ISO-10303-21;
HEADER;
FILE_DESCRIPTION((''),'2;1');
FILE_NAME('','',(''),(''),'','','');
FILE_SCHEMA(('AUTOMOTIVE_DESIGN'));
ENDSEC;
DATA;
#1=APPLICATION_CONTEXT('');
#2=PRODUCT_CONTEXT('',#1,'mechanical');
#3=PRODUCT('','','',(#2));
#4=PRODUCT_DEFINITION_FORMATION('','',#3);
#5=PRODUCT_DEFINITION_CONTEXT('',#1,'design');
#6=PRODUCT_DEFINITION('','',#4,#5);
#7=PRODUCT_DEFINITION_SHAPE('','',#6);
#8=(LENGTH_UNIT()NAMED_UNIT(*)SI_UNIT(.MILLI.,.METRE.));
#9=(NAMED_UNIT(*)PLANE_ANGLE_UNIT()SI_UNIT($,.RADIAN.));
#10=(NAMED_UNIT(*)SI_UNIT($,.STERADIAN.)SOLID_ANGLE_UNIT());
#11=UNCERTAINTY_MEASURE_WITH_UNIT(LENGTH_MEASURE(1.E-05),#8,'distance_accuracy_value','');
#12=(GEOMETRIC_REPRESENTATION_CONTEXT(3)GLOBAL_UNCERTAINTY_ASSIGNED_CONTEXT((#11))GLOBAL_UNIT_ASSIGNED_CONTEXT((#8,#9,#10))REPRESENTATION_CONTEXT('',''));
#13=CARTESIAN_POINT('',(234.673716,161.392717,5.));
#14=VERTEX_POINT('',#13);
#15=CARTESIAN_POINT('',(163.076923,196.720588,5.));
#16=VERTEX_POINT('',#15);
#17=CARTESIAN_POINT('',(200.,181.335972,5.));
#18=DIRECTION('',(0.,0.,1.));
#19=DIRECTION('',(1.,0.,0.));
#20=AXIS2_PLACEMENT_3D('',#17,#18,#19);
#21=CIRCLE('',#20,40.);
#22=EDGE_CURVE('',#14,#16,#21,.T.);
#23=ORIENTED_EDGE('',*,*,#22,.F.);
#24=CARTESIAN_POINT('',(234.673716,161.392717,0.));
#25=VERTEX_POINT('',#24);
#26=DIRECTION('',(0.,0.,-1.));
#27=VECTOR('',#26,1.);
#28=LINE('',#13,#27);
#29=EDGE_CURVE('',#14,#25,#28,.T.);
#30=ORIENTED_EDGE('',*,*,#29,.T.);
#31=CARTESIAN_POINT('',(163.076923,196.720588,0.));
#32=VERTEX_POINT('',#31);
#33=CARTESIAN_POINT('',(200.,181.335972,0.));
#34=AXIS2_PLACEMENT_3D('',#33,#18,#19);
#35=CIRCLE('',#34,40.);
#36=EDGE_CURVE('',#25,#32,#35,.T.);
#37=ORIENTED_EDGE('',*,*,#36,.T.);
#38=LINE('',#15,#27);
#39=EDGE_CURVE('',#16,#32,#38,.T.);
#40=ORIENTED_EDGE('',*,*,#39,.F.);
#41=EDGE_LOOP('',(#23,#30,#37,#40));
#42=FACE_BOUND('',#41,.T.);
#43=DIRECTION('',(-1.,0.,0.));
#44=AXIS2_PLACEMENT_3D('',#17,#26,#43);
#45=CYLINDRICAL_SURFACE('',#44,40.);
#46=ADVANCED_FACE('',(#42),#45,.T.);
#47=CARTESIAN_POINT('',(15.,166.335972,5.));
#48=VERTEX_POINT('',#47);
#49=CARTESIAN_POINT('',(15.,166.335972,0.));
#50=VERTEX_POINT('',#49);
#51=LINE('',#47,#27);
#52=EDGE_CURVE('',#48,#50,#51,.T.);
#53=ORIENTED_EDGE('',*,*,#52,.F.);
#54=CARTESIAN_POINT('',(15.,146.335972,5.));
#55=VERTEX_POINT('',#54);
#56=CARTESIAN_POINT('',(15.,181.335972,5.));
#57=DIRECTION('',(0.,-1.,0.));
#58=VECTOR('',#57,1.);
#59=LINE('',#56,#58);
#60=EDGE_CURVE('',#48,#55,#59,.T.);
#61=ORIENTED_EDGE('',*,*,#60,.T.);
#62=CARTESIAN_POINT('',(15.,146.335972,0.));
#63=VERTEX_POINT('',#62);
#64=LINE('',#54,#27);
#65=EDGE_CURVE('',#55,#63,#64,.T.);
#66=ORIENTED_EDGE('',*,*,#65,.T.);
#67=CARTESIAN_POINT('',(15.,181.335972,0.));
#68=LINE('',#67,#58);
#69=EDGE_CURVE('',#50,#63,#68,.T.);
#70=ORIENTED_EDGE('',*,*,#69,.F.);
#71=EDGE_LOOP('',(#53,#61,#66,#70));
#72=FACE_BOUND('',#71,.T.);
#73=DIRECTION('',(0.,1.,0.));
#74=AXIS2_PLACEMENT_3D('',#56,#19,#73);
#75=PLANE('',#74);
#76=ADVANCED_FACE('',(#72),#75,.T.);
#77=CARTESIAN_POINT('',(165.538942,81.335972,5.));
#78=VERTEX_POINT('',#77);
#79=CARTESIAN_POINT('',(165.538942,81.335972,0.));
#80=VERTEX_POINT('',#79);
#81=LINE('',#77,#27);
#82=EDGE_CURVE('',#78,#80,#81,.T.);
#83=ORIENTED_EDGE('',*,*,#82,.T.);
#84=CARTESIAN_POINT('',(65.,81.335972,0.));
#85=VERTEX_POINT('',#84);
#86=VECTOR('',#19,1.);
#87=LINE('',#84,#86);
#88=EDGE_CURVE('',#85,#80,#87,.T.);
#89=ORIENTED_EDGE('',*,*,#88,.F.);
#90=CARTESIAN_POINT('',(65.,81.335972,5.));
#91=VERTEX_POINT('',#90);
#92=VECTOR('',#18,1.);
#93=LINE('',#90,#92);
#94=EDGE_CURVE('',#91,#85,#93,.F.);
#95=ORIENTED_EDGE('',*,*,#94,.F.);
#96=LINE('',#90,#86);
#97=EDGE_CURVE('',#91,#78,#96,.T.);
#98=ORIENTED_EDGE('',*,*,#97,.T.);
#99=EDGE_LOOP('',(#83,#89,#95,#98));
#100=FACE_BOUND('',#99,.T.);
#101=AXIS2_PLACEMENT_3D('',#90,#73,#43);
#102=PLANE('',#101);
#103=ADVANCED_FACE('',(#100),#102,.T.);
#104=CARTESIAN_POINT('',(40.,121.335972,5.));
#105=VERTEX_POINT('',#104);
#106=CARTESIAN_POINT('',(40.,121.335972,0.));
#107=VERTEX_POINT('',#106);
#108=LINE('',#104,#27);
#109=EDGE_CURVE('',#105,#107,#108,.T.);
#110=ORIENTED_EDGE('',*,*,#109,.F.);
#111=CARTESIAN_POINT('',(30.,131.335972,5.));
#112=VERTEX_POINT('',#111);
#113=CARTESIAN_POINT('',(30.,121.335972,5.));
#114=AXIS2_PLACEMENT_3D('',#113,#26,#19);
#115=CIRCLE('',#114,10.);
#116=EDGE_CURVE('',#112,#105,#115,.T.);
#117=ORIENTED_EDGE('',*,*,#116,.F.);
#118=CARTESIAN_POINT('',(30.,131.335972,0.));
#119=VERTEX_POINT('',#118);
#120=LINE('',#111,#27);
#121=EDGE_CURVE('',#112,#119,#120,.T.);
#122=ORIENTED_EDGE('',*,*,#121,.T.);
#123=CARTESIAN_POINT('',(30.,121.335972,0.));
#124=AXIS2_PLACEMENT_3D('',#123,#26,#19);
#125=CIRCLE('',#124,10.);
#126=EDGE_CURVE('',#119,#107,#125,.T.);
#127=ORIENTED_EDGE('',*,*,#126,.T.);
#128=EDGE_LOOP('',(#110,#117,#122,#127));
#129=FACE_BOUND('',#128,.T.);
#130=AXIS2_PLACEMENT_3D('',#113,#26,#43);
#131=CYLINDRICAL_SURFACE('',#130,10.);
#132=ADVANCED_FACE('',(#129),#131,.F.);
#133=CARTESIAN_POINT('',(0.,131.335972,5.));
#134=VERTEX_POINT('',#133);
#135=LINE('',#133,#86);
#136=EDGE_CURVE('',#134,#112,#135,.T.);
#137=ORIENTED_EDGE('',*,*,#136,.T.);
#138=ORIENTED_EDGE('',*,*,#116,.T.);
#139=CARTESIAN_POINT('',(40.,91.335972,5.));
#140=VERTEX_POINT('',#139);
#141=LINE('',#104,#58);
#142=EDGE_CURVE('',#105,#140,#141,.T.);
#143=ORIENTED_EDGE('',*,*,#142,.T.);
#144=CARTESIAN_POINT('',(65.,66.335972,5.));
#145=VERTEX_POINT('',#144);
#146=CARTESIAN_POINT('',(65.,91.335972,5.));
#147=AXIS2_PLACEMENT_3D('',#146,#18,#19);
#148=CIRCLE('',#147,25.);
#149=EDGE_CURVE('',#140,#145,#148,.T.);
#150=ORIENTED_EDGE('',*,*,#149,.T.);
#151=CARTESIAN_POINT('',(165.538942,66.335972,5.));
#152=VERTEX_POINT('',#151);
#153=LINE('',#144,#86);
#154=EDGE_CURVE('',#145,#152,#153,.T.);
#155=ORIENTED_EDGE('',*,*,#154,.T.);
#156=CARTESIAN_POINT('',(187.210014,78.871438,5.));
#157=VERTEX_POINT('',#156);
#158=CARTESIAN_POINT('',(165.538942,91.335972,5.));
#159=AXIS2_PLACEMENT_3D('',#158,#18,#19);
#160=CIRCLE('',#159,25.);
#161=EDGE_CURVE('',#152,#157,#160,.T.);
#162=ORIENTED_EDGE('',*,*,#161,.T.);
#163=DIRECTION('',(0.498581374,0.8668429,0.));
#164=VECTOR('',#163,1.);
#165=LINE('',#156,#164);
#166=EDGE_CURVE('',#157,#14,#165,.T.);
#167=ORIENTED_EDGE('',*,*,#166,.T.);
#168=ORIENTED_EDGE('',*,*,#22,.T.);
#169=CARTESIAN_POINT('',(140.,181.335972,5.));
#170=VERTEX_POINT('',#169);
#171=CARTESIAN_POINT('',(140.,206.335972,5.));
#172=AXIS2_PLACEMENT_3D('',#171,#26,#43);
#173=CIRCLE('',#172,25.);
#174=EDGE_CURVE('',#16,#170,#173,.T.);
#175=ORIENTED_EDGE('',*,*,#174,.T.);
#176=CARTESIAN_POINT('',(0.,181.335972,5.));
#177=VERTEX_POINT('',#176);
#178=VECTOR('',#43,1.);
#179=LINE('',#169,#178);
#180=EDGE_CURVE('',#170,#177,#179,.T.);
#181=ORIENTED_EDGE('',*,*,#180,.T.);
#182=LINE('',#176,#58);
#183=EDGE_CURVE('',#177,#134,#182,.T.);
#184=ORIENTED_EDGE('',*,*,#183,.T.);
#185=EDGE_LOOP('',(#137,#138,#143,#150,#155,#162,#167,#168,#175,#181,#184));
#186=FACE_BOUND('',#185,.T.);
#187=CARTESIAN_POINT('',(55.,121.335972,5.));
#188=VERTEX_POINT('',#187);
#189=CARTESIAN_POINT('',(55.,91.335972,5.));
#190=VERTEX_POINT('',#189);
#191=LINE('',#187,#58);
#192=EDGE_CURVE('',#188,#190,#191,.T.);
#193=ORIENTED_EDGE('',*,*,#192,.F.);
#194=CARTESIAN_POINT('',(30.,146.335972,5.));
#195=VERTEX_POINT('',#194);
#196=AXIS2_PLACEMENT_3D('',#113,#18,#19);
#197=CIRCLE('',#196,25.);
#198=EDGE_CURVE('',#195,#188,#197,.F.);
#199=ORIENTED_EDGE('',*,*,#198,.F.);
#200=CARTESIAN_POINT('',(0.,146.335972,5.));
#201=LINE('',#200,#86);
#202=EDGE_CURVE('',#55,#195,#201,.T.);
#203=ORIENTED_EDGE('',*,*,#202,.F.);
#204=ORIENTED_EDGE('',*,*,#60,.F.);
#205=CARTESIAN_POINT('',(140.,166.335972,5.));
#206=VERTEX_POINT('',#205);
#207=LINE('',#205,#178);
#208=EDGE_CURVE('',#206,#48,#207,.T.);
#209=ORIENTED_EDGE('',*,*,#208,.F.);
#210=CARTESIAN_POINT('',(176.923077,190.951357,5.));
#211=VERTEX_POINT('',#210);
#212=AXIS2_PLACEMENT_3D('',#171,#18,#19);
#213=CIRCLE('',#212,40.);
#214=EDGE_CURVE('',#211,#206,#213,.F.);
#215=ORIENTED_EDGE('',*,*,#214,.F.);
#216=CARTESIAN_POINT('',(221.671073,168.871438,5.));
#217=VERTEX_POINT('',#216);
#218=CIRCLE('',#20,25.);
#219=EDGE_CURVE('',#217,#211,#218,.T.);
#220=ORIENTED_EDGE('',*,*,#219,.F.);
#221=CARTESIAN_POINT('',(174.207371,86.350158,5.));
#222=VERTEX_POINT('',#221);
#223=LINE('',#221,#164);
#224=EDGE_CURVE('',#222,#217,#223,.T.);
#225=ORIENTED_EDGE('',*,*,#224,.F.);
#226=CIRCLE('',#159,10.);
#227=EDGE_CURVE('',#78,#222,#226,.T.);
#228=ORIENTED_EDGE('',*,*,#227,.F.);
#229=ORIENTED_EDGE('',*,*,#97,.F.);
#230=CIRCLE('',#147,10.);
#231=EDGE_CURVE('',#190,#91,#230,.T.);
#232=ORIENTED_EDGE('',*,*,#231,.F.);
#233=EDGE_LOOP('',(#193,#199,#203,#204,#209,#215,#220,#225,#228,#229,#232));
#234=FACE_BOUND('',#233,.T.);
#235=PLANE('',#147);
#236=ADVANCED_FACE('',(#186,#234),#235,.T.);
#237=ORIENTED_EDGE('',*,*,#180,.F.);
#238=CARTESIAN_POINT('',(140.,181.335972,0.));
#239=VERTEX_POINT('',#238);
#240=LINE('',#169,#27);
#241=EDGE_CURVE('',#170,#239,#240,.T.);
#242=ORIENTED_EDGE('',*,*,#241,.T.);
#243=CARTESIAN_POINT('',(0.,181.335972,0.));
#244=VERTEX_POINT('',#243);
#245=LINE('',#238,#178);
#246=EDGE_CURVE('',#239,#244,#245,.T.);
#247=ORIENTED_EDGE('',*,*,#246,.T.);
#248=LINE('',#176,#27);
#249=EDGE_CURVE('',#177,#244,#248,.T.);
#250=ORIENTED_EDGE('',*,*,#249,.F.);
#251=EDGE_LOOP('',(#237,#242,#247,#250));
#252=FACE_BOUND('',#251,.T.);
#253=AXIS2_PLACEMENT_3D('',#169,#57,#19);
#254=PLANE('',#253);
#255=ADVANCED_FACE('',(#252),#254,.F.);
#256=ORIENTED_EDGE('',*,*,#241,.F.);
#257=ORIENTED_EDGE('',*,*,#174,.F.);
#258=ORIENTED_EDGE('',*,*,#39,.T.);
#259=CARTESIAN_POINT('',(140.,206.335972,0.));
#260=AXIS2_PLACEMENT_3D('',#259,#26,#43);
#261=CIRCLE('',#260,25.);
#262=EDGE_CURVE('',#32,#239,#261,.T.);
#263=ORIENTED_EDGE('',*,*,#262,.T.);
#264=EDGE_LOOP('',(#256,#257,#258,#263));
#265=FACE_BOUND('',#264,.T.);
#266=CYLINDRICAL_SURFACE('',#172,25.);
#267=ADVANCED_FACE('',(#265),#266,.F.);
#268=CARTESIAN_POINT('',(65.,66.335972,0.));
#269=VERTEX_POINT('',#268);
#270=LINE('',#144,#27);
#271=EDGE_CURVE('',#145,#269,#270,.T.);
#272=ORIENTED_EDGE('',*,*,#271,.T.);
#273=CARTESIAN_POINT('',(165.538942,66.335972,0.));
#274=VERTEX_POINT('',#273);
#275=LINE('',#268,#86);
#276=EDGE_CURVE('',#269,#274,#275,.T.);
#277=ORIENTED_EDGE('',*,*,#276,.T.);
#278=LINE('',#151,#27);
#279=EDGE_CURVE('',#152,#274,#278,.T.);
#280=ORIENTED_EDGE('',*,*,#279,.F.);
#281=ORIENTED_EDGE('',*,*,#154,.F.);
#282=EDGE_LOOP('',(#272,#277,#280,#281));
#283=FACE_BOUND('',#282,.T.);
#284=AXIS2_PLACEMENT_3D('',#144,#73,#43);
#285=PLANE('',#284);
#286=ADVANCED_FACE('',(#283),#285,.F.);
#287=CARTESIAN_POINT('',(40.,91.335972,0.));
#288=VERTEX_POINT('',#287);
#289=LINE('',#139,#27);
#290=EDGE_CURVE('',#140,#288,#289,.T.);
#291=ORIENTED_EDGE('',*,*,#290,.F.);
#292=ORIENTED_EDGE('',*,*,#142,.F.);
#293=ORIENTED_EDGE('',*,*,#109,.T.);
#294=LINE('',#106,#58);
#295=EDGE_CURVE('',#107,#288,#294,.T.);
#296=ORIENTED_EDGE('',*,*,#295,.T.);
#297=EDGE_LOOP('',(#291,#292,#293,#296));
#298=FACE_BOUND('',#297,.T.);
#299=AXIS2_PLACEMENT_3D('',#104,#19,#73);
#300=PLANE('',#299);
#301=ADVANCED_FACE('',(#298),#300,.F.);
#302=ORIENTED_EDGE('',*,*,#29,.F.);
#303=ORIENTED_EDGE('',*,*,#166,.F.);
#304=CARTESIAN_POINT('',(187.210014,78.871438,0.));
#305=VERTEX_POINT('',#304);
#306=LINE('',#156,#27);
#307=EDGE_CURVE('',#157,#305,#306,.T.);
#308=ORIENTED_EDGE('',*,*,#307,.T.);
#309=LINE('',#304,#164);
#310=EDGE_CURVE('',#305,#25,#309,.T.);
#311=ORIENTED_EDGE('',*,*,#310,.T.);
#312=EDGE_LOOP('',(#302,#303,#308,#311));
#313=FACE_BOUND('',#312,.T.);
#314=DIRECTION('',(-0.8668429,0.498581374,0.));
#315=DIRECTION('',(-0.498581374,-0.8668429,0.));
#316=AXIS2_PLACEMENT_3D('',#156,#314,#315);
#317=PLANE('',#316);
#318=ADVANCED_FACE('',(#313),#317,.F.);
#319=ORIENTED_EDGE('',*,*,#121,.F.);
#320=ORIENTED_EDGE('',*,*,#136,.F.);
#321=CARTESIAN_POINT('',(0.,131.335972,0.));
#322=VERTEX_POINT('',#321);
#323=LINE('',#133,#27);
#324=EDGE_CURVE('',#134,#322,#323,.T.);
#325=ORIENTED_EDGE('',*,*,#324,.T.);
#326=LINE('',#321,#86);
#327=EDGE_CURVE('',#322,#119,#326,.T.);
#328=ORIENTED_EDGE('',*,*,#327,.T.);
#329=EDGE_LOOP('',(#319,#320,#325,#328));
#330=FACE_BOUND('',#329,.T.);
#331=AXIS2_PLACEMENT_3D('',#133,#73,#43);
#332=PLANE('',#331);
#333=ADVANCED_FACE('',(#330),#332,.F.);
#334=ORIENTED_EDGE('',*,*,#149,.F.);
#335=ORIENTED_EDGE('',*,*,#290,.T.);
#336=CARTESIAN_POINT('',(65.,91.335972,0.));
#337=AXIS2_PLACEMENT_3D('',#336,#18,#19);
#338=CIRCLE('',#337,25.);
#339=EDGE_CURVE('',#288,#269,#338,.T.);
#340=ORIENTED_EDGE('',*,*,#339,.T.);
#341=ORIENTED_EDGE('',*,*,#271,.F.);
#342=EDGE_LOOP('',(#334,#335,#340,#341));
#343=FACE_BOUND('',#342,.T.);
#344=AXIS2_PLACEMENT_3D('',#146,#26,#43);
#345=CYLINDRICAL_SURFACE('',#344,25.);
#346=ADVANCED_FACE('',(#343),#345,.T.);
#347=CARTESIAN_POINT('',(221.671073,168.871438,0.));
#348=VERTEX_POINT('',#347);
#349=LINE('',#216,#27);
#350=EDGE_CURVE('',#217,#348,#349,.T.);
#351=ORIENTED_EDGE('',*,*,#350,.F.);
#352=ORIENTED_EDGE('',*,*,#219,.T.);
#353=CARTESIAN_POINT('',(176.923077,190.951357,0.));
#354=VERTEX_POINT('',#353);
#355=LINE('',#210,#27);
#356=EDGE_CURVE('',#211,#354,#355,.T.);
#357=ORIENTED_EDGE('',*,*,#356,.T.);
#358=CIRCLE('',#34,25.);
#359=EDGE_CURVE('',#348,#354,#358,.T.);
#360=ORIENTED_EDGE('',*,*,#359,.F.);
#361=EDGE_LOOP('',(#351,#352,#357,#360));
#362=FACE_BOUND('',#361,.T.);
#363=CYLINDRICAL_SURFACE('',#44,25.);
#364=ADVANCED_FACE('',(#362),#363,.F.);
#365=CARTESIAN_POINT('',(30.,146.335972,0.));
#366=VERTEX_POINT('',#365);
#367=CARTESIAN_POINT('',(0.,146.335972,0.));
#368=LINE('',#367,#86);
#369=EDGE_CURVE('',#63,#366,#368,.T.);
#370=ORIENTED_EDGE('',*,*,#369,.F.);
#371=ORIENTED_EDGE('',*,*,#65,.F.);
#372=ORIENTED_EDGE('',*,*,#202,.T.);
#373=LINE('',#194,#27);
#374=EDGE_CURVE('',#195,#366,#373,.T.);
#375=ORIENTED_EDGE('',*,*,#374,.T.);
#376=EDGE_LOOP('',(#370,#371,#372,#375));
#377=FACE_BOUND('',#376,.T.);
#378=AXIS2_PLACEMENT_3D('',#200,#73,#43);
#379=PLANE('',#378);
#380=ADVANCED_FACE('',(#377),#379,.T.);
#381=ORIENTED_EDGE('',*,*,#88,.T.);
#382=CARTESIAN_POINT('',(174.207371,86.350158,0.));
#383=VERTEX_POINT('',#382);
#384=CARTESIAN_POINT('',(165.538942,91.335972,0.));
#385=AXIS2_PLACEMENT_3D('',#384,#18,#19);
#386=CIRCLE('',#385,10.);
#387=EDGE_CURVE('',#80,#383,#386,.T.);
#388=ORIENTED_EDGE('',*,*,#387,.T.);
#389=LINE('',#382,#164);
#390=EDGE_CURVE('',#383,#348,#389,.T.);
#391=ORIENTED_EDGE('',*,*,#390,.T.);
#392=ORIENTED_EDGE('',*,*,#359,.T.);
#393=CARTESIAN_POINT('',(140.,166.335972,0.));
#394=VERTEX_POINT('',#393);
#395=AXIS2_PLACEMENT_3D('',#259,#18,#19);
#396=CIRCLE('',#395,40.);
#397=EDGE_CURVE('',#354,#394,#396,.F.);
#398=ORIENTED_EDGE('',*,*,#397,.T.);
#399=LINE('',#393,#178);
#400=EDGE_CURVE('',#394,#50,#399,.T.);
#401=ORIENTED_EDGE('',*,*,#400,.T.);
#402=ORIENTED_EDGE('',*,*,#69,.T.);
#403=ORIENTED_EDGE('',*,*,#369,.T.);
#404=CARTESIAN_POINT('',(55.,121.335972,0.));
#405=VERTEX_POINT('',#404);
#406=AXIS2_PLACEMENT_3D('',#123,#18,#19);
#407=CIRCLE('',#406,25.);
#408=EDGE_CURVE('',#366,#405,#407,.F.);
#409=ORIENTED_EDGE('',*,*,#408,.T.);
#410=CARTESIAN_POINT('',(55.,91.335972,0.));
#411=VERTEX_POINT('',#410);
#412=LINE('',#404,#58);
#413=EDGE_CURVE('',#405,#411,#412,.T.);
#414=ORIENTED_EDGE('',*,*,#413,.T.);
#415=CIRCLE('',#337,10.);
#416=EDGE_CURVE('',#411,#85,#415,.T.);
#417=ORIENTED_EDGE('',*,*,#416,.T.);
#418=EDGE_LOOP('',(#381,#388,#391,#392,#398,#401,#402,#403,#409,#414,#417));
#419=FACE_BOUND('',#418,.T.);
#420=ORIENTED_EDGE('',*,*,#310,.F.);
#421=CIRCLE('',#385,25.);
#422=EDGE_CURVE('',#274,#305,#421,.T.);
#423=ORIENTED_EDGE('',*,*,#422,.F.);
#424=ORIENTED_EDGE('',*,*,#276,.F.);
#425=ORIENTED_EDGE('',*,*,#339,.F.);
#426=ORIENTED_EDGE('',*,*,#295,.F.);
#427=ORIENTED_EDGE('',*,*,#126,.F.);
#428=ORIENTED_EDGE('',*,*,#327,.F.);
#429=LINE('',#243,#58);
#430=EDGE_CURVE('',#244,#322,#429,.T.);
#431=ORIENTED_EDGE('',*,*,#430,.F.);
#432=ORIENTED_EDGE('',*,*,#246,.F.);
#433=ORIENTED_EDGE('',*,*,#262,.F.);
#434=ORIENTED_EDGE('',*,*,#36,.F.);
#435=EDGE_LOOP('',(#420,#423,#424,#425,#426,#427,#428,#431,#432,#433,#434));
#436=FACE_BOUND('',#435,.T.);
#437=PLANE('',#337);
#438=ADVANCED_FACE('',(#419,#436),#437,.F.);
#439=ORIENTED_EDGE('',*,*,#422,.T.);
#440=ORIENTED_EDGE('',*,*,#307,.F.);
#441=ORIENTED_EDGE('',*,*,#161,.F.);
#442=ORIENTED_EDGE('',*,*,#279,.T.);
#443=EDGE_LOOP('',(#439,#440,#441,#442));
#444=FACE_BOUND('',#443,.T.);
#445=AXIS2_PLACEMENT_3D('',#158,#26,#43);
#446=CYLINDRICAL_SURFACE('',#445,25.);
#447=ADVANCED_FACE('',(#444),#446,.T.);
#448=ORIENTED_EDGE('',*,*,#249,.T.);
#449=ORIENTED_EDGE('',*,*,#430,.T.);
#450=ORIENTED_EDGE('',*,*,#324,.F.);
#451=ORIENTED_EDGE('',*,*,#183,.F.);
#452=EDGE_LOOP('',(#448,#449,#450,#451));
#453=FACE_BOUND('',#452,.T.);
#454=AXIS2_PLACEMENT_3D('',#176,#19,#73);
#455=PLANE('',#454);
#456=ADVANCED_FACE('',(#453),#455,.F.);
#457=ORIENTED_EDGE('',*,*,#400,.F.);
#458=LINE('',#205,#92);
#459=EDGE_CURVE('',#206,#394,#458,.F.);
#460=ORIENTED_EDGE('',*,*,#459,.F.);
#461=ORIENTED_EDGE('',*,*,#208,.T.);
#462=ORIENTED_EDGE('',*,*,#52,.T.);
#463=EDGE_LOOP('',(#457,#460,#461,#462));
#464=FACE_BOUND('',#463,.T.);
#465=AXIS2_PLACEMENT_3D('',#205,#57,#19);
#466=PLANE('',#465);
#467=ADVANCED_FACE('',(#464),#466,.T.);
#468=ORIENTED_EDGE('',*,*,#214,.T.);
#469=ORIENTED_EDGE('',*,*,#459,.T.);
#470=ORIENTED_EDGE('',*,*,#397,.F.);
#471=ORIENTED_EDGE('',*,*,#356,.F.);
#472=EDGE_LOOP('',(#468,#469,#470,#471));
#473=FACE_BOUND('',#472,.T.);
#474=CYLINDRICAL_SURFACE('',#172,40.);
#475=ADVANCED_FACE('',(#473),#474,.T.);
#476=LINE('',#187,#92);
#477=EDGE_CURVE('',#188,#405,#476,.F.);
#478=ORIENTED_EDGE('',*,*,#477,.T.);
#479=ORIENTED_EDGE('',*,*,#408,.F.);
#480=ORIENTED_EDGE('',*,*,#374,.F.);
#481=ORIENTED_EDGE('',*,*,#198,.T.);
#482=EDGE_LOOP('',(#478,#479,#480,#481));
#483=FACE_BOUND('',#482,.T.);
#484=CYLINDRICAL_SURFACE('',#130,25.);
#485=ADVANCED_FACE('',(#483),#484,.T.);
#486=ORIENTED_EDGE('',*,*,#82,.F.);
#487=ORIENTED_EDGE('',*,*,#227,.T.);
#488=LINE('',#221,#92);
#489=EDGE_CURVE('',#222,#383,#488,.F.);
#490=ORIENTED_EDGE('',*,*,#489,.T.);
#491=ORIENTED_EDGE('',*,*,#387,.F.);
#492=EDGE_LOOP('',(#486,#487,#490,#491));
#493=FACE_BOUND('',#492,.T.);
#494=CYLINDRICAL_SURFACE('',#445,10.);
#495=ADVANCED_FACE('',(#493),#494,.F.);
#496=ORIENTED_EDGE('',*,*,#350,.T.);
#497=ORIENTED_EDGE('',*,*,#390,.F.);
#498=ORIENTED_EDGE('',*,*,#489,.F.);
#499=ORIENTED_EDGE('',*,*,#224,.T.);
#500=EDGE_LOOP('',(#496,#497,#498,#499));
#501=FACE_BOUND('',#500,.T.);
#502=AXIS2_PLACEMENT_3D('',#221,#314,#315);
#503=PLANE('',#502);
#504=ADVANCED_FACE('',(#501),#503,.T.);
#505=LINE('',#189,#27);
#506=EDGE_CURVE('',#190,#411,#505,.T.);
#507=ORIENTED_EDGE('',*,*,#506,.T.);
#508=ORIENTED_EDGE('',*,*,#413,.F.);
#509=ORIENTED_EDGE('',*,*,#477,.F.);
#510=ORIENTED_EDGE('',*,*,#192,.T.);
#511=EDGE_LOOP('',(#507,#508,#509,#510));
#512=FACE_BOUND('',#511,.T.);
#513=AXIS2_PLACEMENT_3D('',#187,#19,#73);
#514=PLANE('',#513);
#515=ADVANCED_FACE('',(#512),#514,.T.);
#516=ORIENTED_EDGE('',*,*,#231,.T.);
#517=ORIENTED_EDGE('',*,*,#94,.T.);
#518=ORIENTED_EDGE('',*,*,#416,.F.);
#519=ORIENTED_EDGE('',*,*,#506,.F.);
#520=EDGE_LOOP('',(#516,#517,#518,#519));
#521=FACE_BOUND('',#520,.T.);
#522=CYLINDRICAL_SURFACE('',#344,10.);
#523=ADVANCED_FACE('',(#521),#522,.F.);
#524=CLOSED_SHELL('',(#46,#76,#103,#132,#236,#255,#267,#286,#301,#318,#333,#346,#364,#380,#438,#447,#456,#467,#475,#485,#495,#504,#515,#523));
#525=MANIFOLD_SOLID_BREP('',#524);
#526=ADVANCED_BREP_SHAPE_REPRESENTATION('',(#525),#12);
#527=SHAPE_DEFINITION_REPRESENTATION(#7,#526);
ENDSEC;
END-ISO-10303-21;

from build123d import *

# Parameters (mm, degrees)
BOSS_EXTRUDE1_DEPTH = 5
SHELL1_T            = -15


with BuildPart() as part:
    # Sketch1 → Boss-Extrude1 (new body)
    with BuildSketch(Plane.XY):
        with BuildLine():
            Line((140, 181.335972228), (0, 181.335972228))
            Line((0, 181.335972228), (0, 131.335972228))
            Line((0, 131.335972228), (30, 131.335972228))
            ThreePointArc((30, 131.335972228), (37.071067812, 128.40704004), (40, 121.335972228))
            Line((40, 121.335972228), (40, 91.335972228))
            ThreePointArc((40, 91.335972228), (47.32233047, 73.658302699), (65, 66.335972228))
            Line((65, 66.335972228), (165.538941775, 66.335972228))
            ThreePointArc((165.538941775, 66.335972228), (178.05666204, 69.695577607), (187.210014279, 78.87143788))
            Line((187.210014279, 78.87143788), (234.673716006, 161.392717271))
            ThreePointArc((234.673716006, 161.392717271), (217.699703722, 217.206858587), (163.076923077, 196.720587613))
            ThreePointArc((163.076923077, 196.720587613), (153.867504906, 185.53471487), (140, 181.335972228))
        make_face()
    extrude(amount=BOSS_EXTRUDE1_DEPTH)

    # Shell1
    shell1_openings = [part.faces().sort_by_distance(p)[0] for p in [
        (98.657145907, 130.57403932, 5),
        (98.657145907, 130.57403932, 0),
    ]]
    offset(amount=SHELL1_T, openings=shell1_openings, kind=Kind.INTERSECTION)


solid = part.part
